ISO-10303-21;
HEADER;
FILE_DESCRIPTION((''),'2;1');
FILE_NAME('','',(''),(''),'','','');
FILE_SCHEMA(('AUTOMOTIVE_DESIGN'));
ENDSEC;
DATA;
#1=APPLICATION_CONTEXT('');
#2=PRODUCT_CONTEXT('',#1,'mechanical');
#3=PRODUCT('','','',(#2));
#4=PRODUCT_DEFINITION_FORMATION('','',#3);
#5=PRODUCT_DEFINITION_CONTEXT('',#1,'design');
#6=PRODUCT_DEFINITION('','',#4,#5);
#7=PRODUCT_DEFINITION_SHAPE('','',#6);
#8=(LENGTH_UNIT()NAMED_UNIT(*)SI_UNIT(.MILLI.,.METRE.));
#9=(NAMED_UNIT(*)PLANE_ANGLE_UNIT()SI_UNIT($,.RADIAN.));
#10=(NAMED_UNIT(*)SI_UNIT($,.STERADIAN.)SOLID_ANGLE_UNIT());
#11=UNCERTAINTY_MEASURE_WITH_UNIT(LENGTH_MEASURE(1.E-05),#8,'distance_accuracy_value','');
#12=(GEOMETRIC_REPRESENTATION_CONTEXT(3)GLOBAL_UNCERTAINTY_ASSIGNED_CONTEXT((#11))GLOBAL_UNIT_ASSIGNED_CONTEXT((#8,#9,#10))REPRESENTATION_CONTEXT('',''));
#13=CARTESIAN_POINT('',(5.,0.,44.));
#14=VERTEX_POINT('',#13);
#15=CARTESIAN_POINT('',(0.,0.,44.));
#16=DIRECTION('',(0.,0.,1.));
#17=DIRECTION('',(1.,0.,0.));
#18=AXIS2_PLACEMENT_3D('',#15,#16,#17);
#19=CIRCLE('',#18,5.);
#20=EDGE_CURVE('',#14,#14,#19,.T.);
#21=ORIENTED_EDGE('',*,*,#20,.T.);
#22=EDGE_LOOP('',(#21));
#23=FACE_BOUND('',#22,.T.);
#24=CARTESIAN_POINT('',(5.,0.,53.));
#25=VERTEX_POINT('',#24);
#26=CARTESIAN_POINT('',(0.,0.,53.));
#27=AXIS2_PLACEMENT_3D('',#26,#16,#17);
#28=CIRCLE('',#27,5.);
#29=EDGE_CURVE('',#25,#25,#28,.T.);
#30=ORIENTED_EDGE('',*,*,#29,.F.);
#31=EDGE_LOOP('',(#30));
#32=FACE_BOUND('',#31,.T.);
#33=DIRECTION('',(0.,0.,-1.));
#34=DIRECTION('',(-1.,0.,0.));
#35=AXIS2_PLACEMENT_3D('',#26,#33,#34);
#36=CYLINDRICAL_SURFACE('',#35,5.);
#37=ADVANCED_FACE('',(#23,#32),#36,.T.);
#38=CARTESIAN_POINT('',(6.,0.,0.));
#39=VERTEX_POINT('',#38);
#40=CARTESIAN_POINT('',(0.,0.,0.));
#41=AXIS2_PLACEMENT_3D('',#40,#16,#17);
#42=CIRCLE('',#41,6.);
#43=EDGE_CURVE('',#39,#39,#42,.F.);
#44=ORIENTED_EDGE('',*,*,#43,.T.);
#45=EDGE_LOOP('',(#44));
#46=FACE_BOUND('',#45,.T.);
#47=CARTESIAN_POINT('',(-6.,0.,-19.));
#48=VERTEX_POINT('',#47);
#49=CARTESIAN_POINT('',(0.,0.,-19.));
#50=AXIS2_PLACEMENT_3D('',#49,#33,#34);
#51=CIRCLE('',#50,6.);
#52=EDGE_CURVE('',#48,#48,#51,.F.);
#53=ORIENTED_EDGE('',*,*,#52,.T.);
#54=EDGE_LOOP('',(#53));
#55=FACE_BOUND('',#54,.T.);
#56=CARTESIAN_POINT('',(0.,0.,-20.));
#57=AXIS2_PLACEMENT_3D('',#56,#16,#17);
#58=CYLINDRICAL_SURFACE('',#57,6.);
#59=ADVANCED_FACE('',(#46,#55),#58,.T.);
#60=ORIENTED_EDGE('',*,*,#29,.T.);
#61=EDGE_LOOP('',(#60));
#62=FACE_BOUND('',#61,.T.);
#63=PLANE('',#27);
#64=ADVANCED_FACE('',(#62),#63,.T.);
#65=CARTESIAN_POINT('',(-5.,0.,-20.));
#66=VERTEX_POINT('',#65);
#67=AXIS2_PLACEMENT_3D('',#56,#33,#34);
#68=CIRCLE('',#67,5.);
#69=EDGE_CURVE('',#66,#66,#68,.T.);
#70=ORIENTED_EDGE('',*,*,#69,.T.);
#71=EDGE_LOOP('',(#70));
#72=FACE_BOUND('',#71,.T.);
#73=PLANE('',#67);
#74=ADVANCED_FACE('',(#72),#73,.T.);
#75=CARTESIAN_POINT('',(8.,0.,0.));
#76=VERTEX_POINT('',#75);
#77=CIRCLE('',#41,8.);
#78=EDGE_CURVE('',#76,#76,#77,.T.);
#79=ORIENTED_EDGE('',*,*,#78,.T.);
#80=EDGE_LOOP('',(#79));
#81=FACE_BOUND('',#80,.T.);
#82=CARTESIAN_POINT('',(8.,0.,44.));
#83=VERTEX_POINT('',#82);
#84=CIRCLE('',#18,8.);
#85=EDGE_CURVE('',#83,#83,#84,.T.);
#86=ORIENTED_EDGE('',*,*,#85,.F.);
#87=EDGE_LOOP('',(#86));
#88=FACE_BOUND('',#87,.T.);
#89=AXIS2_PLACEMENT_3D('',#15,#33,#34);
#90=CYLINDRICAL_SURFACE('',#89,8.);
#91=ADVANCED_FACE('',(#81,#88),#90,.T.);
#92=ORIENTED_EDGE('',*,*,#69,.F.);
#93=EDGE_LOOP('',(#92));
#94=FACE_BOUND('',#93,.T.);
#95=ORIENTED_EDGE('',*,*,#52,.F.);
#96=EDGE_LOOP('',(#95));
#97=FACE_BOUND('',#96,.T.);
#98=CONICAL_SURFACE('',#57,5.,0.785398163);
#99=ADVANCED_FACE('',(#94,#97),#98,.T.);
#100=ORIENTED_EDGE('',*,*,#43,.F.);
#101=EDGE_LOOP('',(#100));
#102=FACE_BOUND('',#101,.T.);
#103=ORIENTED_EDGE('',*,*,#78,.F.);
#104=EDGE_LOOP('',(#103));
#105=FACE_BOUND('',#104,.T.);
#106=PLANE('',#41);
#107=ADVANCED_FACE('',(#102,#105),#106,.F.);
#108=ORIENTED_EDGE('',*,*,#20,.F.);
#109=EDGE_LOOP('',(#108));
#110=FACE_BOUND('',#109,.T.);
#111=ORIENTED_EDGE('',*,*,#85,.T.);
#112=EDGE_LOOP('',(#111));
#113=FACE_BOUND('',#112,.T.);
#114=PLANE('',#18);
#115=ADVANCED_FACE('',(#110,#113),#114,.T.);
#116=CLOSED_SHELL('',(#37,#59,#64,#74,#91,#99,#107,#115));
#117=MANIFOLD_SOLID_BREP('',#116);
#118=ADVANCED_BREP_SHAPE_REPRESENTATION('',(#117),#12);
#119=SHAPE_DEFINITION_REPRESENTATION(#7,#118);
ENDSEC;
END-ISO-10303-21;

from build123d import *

# Parameters (mm, degrees)
ESQUISSE1_R          = 8
BASE_EXTRUSION_DEPTH = 44
ESQUISSE2_R          = 5
BOSS_EXTRU_1_DEPTH   = 9
ESQUISSE3_R          = 6
BOSS_EXTRU_2_DEPTH   = 20
CHANFREIN1_SIZE      = 1


with BuildPart() as part:
    # Esquisse1 → Base-Extrusion (new body)
    with BuildSketch(Plane.XY):
        Circle(ESQUISSE1_R)
    extrude(amount=BASE_EXTRUSION_DEPTH)

    # Esquisse2 → Boss.-Extru.1 (add)
    with BuildSketch(Plane.XY.offset(44)):
        Circle(ESQUISSE2_R)
    extrude(amount=BOSS_EXTRU_1_DEPTH)

    # Esquisse3 → Boss.-Extru.2 (add)
    with BuildSketch(Plane(origin=(0, 0, 0), x_dir=(-1, 0, 0), z_dir=(0, 0, -1))):
        with Locations(Location((0, 0, 0), (0, 0, 180))):
            Circle(ESQUISSE3_R)
    extrude(amount=BOSS_EXTRU_2_DEPTH)

    # Chanfrein1
    chanfrein1_edges = [part.edges().sort_by_distance(p)[0] for p in [
        (-6, 0, -20),
    ]]
    chamfer(chanfrein1_edges, length=CHANFREIN1_SIZE)


solid = part.part
